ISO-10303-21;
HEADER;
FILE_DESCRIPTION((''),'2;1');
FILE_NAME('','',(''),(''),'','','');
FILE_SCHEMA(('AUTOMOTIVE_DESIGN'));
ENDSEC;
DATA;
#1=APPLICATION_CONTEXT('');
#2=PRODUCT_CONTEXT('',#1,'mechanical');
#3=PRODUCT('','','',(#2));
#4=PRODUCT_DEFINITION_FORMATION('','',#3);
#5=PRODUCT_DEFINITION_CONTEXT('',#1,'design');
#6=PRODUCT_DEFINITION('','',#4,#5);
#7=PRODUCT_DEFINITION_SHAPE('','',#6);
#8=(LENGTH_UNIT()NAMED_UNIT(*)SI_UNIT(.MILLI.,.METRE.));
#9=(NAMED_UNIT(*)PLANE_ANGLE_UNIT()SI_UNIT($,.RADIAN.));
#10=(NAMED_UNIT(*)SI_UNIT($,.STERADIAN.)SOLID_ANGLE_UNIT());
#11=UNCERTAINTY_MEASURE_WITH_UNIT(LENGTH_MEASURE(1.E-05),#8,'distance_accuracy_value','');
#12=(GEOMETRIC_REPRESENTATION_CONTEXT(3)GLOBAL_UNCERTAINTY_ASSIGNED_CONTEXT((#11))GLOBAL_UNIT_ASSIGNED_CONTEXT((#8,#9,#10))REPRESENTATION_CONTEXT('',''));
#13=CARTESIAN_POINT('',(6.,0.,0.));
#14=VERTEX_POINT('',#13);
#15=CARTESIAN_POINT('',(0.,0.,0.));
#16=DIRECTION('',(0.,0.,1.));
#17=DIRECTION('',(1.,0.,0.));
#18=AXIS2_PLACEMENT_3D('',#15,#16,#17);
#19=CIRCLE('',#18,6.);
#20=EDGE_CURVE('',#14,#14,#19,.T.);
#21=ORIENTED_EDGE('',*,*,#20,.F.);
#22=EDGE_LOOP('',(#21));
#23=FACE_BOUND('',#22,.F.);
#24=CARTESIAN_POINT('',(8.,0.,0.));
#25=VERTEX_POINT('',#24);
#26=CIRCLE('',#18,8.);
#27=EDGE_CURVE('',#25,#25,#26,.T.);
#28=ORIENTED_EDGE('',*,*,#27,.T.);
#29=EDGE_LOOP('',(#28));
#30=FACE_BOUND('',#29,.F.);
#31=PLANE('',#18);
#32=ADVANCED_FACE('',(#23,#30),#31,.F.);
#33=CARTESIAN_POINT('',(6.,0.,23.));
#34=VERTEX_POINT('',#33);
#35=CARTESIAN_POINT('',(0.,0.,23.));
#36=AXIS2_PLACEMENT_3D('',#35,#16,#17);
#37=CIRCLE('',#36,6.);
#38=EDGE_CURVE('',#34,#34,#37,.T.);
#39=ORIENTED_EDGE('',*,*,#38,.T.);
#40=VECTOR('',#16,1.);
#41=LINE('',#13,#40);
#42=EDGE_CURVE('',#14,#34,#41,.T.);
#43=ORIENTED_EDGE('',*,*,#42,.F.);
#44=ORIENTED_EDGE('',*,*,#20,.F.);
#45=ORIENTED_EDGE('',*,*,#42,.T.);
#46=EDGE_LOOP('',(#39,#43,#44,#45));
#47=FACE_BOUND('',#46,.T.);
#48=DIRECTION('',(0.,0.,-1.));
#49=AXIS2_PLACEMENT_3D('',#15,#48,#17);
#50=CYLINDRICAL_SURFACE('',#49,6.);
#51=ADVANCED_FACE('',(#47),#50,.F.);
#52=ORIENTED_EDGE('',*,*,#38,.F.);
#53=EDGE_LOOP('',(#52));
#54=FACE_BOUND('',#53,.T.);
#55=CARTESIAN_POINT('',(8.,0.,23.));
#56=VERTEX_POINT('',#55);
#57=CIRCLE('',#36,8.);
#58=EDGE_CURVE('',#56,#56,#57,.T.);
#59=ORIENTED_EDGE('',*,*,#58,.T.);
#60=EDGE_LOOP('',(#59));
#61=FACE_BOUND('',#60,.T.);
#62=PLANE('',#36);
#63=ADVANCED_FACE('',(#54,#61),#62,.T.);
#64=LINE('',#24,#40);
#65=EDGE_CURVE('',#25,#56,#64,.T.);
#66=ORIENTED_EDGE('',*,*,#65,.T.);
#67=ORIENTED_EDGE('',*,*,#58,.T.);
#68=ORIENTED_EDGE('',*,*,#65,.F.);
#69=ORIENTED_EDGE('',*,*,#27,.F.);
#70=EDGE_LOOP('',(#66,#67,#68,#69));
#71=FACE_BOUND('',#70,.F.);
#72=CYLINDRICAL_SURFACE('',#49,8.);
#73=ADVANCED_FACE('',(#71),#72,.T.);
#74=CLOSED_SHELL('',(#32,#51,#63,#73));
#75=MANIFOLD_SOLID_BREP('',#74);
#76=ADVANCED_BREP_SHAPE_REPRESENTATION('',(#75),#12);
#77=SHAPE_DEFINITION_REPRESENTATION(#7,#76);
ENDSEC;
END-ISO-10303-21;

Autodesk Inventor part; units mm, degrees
ref_plane "YZ Plane" through (0, 0, 0) normal (1, 0, 0) x (0, 1, 0)
ref_plane "XZ Plane" through (0, 0, 0) normal (0, 1, 0) x (-1, 0, 0)
ref_plane "XY Plane" through (0, 0, 0) normal (0, 0, 1) x (1, 0, 0)
sketch "Sketch1" plane through (0, 0, 0) normal (0, 0, 1) x (1, 0, 0)
  circle A0 centre (0, 0) radius 6
  circle A1 centre (0, 0) radius 8
  dimension "d0" = 12
  dimension "d1" = 16
extrude "Extrusion1" add sketch "Sketch1" along normal blind 23
properties part number "bague 12 x16 x23"
